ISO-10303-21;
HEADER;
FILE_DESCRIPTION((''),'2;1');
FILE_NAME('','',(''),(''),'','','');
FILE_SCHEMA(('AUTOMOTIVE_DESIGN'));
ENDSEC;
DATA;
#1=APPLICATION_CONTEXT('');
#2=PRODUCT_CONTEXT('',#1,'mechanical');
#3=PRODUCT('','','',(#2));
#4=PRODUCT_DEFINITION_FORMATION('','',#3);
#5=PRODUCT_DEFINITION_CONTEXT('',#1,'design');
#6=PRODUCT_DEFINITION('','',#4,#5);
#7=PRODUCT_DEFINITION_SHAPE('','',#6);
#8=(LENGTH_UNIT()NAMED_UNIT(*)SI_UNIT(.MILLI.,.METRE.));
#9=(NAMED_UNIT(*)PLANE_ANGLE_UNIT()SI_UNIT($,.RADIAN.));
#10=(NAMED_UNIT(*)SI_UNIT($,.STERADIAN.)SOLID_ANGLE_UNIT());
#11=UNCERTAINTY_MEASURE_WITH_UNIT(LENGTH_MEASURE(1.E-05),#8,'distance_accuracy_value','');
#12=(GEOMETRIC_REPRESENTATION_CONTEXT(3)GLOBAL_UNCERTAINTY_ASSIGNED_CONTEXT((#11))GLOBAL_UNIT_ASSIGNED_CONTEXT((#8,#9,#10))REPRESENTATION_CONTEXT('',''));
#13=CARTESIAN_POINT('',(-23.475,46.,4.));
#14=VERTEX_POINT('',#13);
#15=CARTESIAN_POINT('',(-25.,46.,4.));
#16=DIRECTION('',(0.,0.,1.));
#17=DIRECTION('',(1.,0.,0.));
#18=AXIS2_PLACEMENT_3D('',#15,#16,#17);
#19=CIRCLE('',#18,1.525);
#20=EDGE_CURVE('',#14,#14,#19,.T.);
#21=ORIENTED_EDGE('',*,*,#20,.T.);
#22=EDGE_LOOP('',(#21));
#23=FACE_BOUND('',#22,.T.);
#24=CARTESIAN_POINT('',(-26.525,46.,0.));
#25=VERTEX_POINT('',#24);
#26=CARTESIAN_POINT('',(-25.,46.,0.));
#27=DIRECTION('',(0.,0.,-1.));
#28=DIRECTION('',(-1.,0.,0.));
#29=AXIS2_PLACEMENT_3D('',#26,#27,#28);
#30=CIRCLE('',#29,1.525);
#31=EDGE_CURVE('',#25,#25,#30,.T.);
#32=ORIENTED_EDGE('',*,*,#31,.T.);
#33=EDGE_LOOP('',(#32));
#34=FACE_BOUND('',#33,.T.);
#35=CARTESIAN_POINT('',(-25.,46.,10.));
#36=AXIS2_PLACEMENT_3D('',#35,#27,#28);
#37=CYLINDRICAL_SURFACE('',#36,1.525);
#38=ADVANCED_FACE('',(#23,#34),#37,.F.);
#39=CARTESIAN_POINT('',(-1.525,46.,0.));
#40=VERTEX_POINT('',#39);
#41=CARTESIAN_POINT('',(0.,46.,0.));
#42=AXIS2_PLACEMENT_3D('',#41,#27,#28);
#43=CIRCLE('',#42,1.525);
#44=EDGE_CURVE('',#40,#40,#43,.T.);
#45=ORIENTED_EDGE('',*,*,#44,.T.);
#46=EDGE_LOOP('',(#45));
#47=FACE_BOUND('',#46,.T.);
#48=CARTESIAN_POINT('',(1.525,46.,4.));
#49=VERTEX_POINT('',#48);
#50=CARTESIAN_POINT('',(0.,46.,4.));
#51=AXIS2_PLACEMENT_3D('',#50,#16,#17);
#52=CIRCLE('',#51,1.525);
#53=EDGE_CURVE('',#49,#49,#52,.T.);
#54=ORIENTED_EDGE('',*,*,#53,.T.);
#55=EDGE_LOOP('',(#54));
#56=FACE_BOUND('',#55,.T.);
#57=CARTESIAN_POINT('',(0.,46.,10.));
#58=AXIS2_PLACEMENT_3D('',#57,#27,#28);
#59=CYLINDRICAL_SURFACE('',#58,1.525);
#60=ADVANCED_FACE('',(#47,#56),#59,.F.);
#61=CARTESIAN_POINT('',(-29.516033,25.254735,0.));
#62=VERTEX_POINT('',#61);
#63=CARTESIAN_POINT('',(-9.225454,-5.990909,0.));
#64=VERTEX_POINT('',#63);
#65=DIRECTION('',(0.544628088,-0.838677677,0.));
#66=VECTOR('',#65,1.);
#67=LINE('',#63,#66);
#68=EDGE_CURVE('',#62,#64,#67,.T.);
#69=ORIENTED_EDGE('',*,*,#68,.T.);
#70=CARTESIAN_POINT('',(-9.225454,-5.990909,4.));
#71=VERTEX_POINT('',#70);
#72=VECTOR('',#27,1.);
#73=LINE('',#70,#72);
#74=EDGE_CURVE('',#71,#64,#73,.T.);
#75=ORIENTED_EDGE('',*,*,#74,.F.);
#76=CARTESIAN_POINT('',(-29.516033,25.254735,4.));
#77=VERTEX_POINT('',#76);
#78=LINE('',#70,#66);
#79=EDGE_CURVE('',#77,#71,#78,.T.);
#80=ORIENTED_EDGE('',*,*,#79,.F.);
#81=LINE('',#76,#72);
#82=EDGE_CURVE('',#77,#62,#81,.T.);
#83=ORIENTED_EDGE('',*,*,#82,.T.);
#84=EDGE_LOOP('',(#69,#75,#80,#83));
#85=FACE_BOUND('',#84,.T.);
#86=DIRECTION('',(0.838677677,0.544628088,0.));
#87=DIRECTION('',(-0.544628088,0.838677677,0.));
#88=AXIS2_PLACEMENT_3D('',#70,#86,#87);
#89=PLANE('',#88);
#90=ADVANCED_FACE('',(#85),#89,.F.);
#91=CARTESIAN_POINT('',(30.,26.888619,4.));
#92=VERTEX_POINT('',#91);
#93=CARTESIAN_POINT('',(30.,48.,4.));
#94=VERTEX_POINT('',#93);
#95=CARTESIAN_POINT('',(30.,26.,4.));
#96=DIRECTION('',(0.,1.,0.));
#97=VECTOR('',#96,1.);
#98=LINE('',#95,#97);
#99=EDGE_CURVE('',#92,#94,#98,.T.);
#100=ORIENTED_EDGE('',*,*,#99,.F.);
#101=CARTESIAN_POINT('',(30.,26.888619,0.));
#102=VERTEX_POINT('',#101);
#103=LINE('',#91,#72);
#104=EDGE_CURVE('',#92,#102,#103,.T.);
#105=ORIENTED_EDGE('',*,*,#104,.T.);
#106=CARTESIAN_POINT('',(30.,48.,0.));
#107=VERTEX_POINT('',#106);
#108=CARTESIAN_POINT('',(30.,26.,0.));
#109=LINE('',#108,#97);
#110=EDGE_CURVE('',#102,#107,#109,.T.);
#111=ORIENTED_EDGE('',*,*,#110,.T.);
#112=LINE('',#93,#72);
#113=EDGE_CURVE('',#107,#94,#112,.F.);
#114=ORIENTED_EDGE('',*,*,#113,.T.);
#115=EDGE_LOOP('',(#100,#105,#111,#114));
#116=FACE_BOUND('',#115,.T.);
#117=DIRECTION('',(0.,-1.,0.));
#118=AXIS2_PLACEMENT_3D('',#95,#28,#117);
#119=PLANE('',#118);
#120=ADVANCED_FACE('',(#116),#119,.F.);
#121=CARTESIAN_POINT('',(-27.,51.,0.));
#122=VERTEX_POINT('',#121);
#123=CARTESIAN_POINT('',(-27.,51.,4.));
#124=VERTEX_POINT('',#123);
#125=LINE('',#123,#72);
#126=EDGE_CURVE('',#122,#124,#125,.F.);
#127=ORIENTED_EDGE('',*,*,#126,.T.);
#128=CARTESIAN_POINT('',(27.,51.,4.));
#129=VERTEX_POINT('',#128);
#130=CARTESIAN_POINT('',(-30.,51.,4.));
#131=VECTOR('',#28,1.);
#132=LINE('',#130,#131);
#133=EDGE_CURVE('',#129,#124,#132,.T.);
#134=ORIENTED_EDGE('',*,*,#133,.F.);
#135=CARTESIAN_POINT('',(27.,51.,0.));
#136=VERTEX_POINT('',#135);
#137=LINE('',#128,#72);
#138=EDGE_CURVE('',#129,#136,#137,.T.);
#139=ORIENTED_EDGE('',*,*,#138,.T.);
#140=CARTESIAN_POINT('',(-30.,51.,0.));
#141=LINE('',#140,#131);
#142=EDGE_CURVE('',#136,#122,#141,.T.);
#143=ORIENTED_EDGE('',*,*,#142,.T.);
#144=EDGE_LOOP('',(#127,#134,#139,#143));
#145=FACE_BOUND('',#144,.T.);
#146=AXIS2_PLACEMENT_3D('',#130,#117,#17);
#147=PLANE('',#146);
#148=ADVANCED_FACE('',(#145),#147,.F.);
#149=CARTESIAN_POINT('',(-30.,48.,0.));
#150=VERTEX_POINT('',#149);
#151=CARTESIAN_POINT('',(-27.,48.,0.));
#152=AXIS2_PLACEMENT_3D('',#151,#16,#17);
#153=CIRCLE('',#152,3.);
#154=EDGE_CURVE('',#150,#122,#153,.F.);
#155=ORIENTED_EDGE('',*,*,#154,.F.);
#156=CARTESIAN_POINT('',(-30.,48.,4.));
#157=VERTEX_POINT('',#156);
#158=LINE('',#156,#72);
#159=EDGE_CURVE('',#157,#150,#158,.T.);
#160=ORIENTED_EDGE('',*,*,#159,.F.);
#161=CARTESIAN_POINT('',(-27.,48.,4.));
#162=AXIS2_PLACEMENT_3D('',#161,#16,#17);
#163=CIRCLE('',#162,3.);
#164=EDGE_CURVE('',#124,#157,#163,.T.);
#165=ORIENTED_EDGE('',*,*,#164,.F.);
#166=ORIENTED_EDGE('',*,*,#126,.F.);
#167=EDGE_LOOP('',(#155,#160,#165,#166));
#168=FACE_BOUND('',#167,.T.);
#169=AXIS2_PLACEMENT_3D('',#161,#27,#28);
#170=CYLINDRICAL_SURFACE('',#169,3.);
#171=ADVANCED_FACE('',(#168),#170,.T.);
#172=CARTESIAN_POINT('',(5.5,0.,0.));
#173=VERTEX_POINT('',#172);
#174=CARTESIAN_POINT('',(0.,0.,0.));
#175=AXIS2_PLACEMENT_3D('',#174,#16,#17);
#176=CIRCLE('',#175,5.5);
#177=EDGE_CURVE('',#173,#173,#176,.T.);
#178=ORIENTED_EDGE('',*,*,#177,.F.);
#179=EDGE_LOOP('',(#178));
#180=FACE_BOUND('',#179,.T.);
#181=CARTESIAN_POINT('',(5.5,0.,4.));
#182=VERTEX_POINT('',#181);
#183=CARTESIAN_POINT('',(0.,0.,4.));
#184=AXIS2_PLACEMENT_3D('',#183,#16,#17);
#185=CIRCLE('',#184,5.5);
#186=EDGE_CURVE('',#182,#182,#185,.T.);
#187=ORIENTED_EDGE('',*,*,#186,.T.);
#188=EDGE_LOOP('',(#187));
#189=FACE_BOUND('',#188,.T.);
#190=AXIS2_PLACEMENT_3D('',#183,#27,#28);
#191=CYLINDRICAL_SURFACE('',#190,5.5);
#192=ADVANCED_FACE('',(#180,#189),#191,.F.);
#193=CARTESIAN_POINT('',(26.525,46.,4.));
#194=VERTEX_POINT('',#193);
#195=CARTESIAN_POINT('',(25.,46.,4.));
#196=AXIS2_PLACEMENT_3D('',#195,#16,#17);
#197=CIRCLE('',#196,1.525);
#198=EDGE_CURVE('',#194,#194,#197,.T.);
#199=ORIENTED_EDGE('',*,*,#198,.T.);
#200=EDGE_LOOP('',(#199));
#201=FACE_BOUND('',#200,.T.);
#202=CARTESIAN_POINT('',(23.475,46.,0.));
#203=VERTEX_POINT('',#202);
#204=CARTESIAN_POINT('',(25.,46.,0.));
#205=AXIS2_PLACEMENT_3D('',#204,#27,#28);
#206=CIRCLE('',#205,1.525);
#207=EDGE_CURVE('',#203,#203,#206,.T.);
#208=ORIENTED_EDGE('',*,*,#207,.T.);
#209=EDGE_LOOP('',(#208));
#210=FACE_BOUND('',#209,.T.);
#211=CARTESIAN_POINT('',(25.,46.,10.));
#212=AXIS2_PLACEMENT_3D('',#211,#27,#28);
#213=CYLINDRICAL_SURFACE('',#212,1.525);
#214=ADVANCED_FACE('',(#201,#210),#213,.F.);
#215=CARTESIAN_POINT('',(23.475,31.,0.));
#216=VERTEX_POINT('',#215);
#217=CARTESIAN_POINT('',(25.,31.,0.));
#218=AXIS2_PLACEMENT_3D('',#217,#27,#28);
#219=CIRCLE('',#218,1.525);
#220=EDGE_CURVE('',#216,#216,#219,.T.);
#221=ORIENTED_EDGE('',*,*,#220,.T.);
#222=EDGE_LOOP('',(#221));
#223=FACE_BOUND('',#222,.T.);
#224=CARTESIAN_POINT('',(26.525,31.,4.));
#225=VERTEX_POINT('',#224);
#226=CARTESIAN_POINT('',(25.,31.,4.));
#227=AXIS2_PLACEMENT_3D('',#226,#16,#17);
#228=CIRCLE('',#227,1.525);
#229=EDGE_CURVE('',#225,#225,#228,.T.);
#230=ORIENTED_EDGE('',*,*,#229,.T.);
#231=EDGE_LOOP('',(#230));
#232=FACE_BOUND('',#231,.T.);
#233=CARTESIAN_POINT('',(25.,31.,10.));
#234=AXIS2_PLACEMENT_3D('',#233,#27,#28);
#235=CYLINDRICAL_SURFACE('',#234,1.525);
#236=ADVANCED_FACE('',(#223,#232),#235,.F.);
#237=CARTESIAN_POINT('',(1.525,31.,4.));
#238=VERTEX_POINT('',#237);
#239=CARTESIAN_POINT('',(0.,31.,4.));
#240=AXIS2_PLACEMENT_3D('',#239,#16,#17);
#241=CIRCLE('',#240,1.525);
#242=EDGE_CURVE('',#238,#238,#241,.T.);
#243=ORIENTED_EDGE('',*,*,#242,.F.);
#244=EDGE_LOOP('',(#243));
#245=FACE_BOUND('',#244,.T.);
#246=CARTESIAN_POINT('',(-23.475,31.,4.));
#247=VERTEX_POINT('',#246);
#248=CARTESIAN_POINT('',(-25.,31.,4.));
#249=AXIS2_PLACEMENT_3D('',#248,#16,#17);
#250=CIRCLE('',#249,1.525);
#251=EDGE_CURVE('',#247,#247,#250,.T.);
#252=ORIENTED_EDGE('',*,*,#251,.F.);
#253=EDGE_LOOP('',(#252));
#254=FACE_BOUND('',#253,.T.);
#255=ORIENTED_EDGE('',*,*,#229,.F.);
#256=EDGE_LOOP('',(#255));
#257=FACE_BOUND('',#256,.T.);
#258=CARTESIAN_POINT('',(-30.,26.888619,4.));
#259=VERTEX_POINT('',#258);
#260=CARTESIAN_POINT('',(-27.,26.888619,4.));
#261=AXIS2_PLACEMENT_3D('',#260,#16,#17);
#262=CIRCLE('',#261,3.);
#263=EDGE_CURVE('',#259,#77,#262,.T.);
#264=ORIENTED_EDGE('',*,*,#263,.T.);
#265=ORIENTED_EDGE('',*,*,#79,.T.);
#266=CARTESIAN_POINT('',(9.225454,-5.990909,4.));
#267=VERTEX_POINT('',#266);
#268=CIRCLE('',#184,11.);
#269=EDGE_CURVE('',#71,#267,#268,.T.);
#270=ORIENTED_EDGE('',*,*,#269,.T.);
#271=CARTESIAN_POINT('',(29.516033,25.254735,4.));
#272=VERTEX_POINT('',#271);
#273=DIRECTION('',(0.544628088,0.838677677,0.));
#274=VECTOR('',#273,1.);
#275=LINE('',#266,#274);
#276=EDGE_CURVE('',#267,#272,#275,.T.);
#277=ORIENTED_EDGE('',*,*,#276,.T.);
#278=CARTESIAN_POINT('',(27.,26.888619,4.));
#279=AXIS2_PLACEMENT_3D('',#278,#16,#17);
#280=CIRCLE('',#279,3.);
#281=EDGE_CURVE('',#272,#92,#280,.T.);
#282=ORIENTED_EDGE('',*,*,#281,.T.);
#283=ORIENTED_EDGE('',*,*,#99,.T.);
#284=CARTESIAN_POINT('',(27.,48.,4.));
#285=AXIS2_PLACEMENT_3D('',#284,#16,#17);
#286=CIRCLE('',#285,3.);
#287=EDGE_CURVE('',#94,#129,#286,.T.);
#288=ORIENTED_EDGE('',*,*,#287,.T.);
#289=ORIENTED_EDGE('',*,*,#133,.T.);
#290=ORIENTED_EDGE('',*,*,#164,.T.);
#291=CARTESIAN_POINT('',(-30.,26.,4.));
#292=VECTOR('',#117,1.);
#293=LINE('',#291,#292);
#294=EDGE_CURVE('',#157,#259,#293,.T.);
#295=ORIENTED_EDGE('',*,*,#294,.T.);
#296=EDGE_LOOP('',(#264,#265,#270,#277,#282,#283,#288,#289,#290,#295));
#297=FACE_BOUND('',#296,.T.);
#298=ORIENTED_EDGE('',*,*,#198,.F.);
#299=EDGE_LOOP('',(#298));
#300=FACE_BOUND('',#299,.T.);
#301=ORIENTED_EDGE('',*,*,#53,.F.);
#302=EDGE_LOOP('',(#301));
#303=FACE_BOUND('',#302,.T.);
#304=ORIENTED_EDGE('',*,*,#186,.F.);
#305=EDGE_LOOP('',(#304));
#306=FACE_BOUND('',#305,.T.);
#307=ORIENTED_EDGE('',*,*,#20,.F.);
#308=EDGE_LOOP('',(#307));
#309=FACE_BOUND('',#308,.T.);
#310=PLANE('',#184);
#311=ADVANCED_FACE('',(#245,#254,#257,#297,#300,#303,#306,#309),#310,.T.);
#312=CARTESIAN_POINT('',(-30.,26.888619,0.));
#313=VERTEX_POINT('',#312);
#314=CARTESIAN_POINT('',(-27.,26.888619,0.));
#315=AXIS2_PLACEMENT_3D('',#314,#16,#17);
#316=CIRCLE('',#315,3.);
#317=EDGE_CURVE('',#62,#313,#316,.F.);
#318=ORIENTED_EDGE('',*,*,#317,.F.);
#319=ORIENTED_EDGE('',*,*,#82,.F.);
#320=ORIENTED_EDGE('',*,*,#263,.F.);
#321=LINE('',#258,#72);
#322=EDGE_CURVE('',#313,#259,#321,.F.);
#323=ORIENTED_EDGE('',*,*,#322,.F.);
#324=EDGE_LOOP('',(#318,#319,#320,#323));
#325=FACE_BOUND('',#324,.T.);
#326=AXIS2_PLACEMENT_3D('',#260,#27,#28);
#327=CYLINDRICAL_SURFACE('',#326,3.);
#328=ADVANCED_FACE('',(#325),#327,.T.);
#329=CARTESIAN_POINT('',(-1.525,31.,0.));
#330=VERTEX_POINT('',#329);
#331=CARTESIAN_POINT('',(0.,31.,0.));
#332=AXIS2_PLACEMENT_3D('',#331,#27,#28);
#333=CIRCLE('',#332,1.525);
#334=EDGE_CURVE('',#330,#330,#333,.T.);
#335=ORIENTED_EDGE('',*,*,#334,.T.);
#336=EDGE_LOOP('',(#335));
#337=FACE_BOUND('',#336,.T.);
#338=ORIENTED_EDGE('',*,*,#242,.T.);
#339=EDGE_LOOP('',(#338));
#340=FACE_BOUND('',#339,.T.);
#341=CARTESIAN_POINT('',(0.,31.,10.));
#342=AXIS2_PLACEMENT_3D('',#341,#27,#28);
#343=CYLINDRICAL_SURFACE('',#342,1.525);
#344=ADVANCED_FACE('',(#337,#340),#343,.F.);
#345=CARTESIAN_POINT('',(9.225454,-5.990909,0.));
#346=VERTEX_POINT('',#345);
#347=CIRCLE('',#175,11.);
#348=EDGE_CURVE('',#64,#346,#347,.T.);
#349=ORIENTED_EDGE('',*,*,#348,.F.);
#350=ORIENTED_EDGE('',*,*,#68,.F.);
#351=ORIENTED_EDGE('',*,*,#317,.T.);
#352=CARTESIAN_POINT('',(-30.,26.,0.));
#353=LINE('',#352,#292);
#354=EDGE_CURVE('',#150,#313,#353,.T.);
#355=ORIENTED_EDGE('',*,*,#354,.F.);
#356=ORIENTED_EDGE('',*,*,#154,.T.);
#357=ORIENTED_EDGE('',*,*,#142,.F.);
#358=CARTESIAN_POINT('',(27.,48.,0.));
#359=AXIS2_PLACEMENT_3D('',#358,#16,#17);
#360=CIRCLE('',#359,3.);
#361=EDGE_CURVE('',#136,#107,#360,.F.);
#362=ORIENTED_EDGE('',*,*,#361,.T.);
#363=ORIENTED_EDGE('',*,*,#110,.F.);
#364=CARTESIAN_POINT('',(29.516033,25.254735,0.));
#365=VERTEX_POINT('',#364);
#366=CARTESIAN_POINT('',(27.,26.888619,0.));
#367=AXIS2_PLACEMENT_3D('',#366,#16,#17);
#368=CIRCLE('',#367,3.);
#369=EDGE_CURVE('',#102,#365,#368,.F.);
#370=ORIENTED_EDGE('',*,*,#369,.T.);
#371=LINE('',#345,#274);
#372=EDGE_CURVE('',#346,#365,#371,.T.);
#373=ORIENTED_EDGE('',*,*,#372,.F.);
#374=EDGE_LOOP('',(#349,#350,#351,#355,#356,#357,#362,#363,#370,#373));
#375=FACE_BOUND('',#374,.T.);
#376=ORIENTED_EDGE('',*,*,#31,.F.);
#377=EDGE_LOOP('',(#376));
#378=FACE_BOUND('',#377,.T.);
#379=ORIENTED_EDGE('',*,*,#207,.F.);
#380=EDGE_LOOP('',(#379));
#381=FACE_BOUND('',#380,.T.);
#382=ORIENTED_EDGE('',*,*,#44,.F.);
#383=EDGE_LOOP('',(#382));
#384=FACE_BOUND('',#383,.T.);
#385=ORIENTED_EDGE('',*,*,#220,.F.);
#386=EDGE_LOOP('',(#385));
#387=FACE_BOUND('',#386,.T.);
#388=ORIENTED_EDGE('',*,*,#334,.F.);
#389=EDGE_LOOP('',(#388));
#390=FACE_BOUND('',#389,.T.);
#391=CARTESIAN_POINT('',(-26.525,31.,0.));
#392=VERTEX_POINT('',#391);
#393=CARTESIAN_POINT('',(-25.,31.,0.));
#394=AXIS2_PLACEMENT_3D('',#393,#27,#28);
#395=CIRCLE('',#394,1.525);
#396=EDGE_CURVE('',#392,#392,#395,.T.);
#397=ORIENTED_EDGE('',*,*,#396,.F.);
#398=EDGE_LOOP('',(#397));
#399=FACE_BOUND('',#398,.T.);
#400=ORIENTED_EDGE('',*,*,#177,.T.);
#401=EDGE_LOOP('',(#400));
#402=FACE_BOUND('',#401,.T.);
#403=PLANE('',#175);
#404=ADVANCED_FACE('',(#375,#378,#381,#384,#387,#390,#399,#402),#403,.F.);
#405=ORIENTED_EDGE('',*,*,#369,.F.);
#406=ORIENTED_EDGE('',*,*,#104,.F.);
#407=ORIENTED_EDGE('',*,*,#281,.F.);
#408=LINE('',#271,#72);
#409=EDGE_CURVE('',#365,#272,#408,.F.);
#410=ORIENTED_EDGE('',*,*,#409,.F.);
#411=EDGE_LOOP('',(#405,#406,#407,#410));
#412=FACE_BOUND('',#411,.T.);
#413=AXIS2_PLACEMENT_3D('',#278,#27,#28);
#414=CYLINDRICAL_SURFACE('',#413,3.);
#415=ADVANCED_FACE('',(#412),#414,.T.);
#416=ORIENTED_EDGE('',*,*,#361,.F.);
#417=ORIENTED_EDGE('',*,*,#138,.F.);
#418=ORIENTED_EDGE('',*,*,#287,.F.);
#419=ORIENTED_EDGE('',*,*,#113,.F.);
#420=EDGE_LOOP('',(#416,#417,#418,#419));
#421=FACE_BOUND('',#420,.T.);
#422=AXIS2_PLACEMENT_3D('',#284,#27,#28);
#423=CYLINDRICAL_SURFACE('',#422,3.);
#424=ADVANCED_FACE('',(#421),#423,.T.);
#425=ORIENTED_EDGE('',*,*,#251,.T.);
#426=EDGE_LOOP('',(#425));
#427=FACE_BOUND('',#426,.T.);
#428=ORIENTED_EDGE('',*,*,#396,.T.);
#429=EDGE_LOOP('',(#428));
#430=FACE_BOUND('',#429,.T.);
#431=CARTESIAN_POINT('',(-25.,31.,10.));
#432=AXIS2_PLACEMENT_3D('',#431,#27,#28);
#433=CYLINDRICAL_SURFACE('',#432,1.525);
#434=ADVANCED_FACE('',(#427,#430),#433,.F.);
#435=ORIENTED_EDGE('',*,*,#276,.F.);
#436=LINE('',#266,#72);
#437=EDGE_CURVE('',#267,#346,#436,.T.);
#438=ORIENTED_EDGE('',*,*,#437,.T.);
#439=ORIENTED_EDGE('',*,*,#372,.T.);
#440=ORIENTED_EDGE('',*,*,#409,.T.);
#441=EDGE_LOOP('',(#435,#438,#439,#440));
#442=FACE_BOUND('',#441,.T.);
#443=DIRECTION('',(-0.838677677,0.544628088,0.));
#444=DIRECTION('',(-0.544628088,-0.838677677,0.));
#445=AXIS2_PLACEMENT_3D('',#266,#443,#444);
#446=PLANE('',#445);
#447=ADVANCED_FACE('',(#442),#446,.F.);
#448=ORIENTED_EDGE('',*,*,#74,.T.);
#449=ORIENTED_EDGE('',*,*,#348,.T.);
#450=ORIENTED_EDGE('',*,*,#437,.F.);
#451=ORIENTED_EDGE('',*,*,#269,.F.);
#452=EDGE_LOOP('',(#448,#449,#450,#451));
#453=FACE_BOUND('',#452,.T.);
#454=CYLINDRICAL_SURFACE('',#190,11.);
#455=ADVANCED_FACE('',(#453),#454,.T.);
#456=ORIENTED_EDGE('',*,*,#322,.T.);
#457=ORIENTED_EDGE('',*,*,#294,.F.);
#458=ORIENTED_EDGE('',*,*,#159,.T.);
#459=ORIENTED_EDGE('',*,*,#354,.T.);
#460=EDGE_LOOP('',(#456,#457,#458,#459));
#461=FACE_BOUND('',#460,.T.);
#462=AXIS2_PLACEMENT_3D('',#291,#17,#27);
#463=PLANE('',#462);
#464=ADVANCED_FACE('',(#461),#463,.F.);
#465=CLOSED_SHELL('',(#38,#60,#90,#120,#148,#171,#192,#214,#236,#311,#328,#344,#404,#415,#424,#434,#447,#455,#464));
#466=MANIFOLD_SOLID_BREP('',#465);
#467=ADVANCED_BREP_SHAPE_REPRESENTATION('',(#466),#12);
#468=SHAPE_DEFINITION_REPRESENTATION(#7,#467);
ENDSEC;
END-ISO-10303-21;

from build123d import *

# Parameters (mm, degrees)
SKETCH_1_R          = 5.5
EXTRUDE_1_DEPTH     = 4
FILLET_1_R          = 3
SKETCH_3_R          = 1.525
CUT_EXTRUDE_2_DEPTH = 10


with BuildPart() as part:
    # 草图1 → 凸台-拉伸1 (new body)
    with BuildSketch(Plane.XY):
        with BuildLine():
            Line((-9.225454443, -5.990908973), (-30, 26))
            Line((-30, 26), (-30, 51))
            Line((-30, 51), (30, 51))
            Line((30, 51), (30, 26))
            Line((30, 26), (9.225454443, -5.990908973))
            ThreePointArc((9.225454443, -5.990908973), (0, -11), (-9.225454443, -5.990908973))
        make_face()
        Circle(SKETCH_1_R, mode=Mode.SUBTRACT)
    extrude(amount=EXTRUDE_1_DEPTH)

    # 圆角1
    fillet_1_edges = [part.edges().sort_by_distance(p)[0] for p in [
        (-30, 26, 2),
        (-30, 51, 2),
        (30, 51, 2),
        (30, 26, 2),
    ]]
    fillet(fillet_1_edges, radius=FILLET_1_R)

    # 草图3 → 切除-拉伸2 (cut)
    with BuildSketch(Plane(origin=(0, 0, 0), x_dir=(-1, 0, 0), z_dir=(0, 0, -1))):
        with Locations((25, 31)):
            Circle(SKETCH_3_R)
        with Locations((25, 46)):
            Circle(SKETCH_3_R)
        with Locations((0, 31)):
            Circle(SKETCH_3_R)
        with Locations((0, 46)):
            Circle(SKETCH_3_R)
        with Locations((-25, 31)):
            Circle(SKETCH_3_R)
        with Locations((-25, 46)):
            Circle(SKETCH_3_R)
    extrude(amount=-CUT_EXTRUDE_2_DEPTH, mode=Mode.SUBTRACT)


solid = part.part
